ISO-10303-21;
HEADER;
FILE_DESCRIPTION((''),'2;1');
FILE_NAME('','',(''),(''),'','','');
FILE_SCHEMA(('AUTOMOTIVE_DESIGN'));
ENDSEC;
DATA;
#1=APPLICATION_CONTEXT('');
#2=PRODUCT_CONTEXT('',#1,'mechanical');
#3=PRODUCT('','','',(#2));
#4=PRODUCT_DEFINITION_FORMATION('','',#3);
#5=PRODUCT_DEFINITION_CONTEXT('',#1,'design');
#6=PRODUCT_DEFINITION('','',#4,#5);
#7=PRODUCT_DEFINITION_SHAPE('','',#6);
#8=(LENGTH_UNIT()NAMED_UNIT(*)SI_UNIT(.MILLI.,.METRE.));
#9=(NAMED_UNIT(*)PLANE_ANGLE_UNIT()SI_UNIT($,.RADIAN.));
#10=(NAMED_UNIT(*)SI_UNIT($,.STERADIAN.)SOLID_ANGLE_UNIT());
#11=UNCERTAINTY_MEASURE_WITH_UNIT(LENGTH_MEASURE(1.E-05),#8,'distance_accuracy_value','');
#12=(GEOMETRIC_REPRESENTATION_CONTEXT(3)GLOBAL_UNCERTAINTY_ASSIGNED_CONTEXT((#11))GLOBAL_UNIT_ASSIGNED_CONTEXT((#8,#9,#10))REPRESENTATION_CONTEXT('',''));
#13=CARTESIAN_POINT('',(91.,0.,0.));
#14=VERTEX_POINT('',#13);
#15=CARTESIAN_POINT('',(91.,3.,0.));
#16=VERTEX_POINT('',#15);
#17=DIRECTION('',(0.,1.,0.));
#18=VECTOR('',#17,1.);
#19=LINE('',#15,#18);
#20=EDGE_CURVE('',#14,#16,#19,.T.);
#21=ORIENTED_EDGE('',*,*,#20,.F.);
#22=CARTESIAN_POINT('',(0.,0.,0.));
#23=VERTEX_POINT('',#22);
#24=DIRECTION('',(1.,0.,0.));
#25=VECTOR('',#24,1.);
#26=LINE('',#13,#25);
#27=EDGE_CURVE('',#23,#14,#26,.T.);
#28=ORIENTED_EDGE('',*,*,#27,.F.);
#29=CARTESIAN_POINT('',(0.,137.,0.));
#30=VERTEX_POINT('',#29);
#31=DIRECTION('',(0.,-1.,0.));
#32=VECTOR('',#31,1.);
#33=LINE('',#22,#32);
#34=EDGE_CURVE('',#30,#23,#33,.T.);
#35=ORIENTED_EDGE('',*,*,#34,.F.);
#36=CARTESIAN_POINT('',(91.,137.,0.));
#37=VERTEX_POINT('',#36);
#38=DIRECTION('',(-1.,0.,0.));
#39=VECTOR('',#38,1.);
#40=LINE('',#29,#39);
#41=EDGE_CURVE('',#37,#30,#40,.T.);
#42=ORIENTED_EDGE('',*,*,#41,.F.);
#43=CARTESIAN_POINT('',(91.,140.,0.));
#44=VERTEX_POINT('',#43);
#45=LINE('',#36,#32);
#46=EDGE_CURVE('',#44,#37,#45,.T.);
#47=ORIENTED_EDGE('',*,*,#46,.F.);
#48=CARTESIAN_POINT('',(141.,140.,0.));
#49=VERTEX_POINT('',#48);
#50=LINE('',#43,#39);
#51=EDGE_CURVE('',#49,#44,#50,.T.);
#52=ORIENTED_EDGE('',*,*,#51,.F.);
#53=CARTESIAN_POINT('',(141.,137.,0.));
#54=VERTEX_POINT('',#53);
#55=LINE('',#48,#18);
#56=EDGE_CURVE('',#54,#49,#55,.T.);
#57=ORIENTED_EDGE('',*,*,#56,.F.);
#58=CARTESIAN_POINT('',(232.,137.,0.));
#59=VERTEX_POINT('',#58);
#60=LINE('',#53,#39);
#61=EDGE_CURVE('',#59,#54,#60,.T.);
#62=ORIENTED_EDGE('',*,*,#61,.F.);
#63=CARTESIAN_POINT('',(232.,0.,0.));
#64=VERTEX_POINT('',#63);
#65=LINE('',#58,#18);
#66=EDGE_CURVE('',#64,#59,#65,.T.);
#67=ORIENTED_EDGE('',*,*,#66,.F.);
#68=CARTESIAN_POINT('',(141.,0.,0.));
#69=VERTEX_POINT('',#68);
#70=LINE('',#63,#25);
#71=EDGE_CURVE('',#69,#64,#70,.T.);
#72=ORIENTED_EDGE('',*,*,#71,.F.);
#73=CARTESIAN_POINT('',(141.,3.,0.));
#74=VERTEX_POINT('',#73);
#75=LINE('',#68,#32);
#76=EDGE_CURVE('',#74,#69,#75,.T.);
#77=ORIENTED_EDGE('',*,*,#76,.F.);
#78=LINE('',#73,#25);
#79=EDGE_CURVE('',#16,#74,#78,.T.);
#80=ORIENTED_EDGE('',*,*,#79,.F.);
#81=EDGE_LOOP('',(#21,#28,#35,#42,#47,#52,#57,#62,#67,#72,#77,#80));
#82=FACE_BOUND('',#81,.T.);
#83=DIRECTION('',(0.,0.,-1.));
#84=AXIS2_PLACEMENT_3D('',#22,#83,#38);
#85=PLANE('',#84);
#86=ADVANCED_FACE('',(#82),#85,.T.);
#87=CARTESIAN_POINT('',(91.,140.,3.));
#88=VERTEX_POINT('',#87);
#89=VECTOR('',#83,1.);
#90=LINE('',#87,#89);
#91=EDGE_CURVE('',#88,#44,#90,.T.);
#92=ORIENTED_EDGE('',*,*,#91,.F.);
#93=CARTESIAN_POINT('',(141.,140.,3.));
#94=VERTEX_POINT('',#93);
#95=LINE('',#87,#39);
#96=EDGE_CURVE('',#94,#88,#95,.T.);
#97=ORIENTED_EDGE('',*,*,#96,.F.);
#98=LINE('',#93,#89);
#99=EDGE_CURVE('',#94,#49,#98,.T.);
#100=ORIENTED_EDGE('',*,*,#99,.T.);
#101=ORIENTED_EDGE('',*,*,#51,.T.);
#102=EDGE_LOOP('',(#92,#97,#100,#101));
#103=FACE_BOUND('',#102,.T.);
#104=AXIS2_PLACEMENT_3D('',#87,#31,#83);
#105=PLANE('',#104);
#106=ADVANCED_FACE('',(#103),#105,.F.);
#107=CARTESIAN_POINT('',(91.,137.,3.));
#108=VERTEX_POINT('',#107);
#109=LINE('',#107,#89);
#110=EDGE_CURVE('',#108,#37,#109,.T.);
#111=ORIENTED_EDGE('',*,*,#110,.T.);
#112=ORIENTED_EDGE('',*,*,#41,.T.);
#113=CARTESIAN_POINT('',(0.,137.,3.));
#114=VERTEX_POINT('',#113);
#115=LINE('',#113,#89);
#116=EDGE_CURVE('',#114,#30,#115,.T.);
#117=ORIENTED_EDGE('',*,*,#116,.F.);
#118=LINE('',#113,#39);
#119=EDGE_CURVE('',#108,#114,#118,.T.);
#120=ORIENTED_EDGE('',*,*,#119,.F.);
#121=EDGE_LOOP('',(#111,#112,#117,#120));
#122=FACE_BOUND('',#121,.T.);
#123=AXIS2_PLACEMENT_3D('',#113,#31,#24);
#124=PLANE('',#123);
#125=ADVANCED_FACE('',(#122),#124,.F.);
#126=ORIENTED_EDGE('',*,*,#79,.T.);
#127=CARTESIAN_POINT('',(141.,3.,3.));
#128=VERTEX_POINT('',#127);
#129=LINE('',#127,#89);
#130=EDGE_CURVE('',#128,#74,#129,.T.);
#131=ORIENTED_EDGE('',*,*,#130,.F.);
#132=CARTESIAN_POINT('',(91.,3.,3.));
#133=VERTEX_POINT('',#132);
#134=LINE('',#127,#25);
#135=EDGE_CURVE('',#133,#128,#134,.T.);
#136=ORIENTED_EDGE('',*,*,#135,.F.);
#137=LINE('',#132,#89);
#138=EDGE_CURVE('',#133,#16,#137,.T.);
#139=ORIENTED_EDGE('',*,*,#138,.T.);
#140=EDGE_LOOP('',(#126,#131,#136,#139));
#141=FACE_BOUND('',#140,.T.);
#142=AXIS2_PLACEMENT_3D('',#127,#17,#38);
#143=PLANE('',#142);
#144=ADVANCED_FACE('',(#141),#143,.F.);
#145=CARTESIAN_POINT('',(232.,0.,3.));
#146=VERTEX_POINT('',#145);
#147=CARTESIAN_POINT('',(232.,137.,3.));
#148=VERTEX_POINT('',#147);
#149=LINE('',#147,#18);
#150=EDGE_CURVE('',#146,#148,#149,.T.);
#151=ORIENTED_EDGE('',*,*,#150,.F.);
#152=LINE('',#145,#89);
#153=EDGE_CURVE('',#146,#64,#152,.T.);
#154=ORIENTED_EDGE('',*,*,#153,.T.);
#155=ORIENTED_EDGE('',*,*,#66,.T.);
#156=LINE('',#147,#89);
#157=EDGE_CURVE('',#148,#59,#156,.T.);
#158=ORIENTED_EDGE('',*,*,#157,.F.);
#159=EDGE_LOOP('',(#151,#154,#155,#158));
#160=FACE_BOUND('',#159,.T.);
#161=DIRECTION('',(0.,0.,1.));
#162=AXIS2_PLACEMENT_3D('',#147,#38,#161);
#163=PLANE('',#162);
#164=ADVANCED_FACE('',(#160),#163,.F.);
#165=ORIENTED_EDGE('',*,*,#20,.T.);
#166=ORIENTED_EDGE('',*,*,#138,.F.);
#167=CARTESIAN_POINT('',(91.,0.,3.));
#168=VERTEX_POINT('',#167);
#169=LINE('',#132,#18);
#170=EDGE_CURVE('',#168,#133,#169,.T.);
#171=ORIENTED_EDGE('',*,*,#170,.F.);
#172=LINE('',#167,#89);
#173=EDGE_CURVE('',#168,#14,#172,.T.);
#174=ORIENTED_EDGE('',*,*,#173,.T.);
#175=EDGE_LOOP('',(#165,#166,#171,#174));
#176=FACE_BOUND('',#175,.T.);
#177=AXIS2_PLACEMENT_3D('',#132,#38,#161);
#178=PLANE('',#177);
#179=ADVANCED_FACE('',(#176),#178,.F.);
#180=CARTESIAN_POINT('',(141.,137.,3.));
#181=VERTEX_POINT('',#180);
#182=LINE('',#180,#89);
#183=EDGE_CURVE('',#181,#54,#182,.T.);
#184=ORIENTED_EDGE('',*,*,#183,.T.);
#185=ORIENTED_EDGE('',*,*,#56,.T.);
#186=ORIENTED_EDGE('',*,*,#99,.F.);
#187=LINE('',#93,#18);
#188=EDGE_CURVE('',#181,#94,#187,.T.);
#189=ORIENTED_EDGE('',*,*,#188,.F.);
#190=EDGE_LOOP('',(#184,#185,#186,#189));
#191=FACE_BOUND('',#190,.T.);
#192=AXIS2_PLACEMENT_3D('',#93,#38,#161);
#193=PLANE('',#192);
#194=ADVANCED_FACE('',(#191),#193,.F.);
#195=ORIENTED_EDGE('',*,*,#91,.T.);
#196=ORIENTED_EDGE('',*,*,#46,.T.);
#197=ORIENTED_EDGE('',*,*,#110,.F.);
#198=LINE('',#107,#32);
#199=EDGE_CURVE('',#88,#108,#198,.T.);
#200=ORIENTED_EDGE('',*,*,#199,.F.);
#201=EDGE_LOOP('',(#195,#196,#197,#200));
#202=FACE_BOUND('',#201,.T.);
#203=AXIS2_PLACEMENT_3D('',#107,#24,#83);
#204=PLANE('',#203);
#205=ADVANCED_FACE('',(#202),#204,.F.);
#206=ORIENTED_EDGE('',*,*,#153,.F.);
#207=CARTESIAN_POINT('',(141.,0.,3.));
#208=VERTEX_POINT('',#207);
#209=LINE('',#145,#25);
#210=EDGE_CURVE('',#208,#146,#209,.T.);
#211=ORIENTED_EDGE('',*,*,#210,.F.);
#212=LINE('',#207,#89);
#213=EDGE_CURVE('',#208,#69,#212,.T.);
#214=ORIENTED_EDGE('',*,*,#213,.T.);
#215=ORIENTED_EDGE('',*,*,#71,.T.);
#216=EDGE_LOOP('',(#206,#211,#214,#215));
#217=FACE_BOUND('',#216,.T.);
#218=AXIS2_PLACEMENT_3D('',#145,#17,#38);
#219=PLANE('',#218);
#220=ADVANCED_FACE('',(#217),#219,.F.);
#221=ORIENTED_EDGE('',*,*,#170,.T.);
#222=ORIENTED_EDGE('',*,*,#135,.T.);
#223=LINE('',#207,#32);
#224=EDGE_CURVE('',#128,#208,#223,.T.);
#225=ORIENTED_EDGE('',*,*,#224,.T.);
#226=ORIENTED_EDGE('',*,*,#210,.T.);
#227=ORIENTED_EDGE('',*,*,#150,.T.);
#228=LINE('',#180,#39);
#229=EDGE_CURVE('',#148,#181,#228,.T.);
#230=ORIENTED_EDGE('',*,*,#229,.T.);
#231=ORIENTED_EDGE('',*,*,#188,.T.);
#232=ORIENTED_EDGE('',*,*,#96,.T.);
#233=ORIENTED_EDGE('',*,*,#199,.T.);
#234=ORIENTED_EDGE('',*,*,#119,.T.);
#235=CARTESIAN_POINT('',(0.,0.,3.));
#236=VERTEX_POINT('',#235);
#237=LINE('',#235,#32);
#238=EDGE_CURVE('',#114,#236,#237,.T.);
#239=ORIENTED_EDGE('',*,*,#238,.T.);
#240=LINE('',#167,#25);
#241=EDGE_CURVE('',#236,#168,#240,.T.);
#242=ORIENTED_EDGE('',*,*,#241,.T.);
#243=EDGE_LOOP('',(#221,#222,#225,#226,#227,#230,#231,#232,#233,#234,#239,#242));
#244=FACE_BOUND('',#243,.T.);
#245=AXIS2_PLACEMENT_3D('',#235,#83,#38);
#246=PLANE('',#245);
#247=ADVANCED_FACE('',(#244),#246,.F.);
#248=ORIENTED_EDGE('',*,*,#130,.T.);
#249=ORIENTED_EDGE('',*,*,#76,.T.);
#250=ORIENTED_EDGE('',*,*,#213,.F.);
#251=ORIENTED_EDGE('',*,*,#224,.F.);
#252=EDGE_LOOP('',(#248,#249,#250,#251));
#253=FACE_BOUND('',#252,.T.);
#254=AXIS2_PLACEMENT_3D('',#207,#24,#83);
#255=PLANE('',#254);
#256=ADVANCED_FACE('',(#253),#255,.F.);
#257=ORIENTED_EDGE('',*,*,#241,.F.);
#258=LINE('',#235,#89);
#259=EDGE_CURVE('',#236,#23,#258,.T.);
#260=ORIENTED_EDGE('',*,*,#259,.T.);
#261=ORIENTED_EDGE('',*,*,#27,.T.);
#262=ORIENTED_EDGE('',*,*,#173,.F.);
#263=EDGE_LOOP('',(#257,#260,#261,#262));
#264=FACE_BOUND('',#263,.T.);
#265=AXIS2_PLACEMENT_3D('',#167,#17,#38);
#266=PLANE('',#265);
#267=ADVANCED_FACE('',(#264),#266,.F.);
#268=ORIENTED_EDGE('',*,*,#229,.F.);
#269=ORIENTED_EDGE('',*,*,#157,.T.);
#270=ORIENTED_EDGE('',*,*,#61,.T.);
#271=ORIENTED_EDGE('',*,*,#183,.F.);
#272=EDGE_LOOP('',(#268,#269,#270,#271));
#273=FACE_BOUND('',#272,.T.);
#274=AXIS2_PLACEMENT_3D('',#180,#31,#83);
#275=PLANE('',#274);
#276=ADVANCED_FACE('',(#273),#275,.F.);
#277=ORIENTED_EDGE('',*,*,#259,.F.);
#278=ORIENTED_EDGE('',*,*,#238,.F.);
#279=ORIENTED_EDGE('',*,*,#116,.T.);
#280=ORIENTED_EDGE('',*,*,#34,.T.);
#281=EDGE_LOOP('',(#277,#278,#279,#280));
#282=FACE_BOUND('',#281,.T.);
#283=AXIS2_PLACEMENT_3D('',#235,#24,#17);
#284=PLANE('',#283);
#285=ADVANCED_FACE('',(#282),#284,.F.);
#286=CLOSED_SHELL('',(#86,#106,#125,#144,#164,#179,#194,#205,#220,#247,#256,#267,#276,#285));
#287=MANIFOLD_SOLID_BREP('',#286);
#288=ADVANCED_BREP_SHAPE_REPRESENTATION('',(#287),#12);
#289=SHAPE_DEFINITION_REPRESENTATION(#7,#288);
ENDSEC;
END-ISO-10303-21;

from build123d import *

# Parameters (mm, degrees)
RESSALTO_EXTRUS_O1_DEPTH = 3


with BuildPart() as part:
    # Esboço1 → Ressalto-extrusão1 (new body)
    with BuildSketch(Plane.XY):
        Polygon((0, 0), (0, 137), (91, 137), (91, 140), (141, 140), (141, 137), (232, 137), (232, 0), (141, 0), (141, 3), (91, 3), (91, 0), align=None)
    extrude(amount=RESSALTO_EXTRUS_O1_DEPTH)


solid = part.part
